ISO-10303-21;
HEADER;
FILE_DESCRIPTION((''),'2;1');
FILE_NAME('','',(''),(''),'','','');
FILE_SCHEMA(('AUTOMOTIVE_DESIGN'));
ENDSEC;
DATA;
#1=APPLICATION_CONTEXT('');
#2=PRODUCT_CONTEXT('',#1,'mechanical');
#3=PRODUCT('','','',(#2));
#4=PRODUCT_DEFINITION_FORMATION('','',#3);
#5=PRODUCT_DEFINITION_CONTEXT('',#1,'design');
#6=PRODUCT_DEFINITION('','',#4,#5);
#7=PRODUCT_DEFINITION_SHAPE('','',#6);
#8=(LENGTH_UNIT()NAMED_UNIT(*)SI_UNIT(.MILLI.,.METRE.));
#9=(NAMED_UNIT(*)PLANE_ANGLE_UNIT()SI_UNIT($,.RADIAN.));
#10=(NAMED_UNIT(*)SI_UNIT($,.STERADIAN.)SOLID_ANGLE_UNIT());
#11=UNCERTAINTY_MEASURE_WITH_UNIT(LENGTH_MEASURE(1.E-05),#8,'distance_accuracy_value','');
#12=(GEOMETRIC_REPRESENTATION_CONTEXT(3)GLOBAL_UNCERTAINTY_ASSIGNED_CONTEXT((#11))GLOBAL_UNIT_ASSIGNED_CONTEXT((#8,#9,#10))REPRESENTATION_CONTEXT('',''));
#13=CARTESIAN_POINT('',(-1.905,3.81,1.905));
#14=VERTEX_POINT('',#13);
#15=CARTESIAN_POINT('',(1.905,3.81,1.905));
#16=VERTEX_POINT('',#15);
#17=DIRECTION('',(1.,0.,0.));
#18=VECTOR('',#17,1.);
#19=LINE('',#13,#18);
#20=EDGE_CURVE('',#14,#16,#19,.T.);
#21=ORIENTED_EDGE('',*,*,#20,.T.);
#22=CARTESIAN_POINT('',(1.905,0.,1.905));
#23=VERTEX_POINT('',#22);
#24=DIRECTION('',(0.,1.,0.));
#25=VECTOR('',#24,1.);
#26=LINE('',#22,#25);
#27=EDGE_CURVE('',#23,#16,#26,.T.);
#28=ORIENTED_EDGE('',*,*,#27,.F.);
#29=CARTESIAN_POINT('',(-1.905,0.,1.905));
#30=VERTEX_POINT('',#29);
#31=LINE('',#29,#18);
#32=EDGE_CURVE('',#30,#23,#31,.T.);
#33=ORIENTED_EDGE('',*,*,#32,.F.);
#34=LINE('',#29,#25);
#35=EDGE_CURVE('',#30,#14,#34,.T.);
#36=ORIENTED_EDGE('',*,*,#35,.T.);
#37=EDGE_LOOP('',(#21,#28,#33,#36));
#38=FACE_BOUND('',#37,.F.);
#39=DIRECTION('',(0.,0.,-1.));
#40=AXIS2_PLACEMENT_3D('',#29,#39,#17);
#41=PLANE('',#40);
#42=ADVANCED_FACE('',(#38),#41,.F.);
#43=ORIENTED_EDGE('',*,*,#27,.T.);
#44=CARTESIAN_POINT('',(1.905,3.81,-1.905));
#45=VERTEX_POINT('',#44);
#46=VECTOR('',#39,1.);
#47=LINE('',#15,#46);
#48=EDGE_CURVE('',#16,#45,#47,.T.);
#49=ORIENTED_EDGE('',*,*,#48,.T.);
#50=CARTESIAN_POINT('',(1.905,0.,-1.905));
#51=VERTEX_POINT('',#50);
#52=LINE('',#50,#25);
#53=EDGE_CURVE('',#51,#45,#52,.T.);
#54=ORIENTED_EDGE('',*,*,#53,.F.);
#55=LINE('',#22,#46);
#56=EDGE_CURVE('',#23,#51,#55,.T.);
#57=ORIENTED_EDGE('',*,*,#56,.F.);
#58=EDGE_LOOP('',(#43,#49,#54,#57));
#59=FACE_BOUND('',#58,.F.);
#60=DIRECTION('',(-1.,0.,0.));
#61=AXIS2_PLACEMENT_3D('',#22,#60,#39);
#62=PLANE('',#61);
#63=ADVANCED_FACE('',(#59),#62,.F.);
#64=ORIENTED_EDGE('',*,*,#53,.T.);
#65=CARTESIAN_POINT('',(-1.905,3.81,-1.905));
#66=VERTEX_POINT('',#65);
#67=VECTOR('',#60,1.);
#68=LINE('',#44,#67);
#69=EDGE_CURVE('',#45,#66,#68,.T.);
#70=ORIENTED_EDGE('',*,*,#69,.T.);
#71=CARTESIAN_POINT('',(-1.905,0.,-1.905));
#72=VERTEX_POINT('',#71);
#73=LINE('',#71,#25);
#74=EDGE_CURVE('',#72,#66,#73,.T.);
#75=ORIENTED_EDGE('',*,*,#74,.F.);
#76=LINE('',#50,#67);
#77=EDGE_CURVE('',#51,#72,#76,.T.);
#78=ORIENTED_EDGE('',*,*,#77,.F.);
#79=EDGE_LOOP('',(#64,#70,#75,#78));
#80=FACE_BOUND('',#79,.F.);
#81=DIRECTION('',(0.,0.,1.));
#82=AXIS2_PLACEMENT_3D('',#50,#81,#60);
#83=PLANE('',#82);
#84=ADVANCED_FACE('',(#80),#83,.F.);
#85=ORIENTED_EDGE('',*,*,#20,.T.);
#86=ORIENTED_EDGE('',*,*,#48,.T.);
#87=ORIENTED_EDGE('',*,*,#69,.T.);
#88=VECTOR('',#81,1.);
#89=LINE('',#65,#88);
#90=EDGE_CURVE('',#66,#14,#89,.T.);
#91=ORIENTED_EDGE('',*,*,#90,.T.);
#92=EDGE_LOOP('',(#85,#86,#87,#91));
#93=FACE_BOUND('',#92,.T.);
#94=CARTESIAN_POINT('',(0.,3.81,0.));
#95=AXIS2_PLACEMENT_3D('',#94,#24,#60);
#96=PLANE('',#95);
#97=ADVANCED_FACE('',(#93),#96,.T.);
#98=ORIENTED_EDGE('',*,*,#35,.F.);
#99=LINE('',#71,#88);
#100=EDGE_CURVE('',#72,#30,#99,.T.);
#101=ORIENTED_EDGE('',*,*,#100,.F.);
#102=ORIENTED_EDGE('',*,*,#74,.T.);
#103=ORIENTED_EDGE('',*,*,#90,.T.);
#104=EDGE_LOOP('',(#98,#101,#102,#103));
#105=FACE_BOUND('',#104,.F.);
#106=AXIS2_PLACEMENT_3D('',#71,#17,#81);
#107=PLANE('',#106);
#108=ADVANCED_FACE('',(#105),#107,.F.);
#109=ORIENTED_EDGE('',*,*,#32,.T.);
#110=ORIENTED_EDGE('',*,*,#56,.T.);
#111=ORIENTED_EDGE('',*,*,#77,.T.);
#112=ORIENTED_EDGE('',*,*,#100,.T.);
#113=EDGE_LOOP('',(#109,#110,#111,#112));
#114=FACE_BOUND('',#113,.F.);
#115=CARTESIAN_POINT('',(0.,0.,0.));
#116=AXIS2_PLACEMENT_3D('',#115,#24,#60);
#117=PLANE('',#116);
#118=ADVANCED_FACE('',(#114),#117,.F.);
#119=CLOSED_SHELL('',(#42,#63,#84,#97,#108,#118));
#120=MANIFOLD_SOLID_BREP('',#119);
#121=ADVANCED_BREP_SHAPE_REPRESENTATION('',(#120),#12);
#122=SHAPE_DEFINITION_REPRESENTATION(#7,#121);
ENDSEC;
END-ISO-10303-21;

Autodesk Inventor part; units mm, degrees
ref_plane "YZ Plane" through (0, 0, 0) normal (1, 0, 0) x (0, 1, 0)
ref_plane "XZ Plane" through (0, 0, 0) normal (0, 1, 0) x (-1, 0, 0)
ref_plane "XY Plane" through (0, 0, 0) normal (0, 0, 1) x (1, 0, 0)
sketch "Sketch1" plane through (0, 0, 0) normal (0, 1, 0) x (-1, 0, 0)
  line L0 (1.905, 1.905) -> (-1.905, 1.905)
  line L1 (-1.905, 1.905) -> (-1.905, -1.905)
  line L2 (-1.905, -1.905) -> (1.905, -1.905)
  line L3 (1.905, -1.905) -> (1.905, 1.905)
  point P0 (0, 0)
  dimension "d0" = 3.81
  dimension "d1" = 3.81
  dimension "d2" = 1.905
  dimension "d3" = 1.905
extrude "Extrusion1" add sketch "Sketch1" along normal blind 3.81
properties part number "MC_GU1604"
